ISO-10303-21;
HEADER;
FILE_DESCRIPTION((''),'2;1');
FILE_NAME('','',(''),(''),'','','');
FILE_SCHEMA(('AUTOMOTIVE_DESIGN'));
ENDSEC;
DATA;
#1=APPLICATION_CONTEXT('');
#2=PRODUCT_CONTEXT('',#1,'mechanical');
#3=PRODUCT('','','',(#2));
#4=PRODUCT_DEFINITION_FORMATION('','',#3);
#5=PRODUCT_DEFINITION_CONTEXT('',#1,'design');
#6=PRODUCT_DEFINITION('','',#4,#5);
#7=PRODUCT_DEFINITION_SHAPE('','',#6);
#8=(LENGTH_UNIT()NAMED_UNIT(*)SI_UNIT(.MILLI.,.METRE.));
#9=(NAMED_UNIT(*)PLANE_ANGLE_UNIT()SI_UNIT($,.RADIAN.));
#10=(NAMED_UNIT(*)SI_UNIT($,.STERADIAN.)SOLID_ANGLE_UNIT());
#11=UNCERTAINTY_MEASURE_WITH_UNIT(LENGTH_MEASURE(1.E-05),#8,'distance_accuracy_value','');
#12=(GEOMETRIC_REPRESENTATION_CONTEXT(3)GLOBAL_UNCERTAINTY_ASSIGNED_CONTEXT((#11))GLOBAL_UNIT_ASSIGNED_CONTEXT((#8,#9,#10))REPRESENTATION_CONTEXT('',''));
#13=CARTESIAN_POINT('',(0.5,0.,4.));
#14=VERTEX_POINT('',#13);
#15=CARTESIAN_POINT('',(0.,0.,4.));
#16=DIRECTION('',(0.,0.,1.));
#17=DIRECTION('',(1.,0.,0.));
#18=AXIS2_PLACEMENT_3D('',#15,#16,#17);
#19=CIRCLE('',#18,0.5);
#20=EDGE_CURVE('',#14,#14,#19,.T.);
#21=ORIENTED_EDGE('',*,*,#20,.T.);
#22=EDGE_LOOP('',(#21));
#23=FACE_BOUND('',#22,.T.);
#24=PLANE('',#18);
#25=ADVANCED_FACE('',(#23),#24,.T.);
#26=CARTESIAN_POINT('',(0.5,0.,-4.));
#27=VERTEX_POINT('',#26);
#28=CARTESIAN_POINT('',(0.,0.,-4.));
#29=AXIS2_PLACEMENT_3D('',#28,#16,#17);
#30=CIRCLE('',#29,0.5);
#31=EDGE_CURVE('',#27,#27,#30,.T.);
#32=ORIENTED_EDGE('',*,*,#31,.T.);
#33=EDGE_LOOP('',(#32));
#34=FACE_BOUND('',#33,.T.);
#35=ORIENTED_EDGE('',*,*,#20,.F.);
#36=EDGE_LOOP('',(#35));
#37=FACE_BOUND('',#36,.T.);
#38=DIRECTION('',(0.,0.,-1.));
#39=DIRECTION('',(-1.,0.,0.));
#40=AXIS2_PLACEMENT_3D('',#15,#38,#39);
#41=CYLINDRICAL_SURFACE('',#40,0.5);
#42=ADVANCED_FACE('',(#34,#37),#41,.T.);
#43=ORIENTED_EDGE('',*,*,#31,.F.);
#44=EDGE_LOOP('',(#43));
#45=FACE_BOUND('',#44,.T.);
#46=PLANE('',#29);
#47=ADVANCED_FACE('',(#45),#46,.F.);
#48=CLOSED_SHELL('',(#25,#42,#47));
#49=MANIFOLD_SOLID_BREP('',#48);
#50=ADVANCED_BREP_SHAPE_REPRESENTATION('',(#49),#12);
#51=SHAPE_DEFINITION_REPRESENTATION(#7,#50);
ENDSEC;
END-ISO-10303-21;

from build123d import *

# Parameters (mm, degrees)
INSTALLED_D1X8_COILED_PIN_ENVELOPE_START = -4
SKETCH1_R                                = 0.5
INSTALLED_D1X8_COILED_PIN_ENVELOPE_DEPTH = 8


with BuildPart() as part:
    # Sketch1 → Installed_D1x8_Coiled_Pin_Envelope (new body)
    with BuildSketch(Plane.XY.offset(INSTALLED_D1X8_COILED_PIN_ENVELOPE_START)):
        Circle(SKETCH1_R)
    extrude(amount=INSTALLED_D1X8_COILED_PIN_ENVELOPE_DEPTH)


solid = part.part
